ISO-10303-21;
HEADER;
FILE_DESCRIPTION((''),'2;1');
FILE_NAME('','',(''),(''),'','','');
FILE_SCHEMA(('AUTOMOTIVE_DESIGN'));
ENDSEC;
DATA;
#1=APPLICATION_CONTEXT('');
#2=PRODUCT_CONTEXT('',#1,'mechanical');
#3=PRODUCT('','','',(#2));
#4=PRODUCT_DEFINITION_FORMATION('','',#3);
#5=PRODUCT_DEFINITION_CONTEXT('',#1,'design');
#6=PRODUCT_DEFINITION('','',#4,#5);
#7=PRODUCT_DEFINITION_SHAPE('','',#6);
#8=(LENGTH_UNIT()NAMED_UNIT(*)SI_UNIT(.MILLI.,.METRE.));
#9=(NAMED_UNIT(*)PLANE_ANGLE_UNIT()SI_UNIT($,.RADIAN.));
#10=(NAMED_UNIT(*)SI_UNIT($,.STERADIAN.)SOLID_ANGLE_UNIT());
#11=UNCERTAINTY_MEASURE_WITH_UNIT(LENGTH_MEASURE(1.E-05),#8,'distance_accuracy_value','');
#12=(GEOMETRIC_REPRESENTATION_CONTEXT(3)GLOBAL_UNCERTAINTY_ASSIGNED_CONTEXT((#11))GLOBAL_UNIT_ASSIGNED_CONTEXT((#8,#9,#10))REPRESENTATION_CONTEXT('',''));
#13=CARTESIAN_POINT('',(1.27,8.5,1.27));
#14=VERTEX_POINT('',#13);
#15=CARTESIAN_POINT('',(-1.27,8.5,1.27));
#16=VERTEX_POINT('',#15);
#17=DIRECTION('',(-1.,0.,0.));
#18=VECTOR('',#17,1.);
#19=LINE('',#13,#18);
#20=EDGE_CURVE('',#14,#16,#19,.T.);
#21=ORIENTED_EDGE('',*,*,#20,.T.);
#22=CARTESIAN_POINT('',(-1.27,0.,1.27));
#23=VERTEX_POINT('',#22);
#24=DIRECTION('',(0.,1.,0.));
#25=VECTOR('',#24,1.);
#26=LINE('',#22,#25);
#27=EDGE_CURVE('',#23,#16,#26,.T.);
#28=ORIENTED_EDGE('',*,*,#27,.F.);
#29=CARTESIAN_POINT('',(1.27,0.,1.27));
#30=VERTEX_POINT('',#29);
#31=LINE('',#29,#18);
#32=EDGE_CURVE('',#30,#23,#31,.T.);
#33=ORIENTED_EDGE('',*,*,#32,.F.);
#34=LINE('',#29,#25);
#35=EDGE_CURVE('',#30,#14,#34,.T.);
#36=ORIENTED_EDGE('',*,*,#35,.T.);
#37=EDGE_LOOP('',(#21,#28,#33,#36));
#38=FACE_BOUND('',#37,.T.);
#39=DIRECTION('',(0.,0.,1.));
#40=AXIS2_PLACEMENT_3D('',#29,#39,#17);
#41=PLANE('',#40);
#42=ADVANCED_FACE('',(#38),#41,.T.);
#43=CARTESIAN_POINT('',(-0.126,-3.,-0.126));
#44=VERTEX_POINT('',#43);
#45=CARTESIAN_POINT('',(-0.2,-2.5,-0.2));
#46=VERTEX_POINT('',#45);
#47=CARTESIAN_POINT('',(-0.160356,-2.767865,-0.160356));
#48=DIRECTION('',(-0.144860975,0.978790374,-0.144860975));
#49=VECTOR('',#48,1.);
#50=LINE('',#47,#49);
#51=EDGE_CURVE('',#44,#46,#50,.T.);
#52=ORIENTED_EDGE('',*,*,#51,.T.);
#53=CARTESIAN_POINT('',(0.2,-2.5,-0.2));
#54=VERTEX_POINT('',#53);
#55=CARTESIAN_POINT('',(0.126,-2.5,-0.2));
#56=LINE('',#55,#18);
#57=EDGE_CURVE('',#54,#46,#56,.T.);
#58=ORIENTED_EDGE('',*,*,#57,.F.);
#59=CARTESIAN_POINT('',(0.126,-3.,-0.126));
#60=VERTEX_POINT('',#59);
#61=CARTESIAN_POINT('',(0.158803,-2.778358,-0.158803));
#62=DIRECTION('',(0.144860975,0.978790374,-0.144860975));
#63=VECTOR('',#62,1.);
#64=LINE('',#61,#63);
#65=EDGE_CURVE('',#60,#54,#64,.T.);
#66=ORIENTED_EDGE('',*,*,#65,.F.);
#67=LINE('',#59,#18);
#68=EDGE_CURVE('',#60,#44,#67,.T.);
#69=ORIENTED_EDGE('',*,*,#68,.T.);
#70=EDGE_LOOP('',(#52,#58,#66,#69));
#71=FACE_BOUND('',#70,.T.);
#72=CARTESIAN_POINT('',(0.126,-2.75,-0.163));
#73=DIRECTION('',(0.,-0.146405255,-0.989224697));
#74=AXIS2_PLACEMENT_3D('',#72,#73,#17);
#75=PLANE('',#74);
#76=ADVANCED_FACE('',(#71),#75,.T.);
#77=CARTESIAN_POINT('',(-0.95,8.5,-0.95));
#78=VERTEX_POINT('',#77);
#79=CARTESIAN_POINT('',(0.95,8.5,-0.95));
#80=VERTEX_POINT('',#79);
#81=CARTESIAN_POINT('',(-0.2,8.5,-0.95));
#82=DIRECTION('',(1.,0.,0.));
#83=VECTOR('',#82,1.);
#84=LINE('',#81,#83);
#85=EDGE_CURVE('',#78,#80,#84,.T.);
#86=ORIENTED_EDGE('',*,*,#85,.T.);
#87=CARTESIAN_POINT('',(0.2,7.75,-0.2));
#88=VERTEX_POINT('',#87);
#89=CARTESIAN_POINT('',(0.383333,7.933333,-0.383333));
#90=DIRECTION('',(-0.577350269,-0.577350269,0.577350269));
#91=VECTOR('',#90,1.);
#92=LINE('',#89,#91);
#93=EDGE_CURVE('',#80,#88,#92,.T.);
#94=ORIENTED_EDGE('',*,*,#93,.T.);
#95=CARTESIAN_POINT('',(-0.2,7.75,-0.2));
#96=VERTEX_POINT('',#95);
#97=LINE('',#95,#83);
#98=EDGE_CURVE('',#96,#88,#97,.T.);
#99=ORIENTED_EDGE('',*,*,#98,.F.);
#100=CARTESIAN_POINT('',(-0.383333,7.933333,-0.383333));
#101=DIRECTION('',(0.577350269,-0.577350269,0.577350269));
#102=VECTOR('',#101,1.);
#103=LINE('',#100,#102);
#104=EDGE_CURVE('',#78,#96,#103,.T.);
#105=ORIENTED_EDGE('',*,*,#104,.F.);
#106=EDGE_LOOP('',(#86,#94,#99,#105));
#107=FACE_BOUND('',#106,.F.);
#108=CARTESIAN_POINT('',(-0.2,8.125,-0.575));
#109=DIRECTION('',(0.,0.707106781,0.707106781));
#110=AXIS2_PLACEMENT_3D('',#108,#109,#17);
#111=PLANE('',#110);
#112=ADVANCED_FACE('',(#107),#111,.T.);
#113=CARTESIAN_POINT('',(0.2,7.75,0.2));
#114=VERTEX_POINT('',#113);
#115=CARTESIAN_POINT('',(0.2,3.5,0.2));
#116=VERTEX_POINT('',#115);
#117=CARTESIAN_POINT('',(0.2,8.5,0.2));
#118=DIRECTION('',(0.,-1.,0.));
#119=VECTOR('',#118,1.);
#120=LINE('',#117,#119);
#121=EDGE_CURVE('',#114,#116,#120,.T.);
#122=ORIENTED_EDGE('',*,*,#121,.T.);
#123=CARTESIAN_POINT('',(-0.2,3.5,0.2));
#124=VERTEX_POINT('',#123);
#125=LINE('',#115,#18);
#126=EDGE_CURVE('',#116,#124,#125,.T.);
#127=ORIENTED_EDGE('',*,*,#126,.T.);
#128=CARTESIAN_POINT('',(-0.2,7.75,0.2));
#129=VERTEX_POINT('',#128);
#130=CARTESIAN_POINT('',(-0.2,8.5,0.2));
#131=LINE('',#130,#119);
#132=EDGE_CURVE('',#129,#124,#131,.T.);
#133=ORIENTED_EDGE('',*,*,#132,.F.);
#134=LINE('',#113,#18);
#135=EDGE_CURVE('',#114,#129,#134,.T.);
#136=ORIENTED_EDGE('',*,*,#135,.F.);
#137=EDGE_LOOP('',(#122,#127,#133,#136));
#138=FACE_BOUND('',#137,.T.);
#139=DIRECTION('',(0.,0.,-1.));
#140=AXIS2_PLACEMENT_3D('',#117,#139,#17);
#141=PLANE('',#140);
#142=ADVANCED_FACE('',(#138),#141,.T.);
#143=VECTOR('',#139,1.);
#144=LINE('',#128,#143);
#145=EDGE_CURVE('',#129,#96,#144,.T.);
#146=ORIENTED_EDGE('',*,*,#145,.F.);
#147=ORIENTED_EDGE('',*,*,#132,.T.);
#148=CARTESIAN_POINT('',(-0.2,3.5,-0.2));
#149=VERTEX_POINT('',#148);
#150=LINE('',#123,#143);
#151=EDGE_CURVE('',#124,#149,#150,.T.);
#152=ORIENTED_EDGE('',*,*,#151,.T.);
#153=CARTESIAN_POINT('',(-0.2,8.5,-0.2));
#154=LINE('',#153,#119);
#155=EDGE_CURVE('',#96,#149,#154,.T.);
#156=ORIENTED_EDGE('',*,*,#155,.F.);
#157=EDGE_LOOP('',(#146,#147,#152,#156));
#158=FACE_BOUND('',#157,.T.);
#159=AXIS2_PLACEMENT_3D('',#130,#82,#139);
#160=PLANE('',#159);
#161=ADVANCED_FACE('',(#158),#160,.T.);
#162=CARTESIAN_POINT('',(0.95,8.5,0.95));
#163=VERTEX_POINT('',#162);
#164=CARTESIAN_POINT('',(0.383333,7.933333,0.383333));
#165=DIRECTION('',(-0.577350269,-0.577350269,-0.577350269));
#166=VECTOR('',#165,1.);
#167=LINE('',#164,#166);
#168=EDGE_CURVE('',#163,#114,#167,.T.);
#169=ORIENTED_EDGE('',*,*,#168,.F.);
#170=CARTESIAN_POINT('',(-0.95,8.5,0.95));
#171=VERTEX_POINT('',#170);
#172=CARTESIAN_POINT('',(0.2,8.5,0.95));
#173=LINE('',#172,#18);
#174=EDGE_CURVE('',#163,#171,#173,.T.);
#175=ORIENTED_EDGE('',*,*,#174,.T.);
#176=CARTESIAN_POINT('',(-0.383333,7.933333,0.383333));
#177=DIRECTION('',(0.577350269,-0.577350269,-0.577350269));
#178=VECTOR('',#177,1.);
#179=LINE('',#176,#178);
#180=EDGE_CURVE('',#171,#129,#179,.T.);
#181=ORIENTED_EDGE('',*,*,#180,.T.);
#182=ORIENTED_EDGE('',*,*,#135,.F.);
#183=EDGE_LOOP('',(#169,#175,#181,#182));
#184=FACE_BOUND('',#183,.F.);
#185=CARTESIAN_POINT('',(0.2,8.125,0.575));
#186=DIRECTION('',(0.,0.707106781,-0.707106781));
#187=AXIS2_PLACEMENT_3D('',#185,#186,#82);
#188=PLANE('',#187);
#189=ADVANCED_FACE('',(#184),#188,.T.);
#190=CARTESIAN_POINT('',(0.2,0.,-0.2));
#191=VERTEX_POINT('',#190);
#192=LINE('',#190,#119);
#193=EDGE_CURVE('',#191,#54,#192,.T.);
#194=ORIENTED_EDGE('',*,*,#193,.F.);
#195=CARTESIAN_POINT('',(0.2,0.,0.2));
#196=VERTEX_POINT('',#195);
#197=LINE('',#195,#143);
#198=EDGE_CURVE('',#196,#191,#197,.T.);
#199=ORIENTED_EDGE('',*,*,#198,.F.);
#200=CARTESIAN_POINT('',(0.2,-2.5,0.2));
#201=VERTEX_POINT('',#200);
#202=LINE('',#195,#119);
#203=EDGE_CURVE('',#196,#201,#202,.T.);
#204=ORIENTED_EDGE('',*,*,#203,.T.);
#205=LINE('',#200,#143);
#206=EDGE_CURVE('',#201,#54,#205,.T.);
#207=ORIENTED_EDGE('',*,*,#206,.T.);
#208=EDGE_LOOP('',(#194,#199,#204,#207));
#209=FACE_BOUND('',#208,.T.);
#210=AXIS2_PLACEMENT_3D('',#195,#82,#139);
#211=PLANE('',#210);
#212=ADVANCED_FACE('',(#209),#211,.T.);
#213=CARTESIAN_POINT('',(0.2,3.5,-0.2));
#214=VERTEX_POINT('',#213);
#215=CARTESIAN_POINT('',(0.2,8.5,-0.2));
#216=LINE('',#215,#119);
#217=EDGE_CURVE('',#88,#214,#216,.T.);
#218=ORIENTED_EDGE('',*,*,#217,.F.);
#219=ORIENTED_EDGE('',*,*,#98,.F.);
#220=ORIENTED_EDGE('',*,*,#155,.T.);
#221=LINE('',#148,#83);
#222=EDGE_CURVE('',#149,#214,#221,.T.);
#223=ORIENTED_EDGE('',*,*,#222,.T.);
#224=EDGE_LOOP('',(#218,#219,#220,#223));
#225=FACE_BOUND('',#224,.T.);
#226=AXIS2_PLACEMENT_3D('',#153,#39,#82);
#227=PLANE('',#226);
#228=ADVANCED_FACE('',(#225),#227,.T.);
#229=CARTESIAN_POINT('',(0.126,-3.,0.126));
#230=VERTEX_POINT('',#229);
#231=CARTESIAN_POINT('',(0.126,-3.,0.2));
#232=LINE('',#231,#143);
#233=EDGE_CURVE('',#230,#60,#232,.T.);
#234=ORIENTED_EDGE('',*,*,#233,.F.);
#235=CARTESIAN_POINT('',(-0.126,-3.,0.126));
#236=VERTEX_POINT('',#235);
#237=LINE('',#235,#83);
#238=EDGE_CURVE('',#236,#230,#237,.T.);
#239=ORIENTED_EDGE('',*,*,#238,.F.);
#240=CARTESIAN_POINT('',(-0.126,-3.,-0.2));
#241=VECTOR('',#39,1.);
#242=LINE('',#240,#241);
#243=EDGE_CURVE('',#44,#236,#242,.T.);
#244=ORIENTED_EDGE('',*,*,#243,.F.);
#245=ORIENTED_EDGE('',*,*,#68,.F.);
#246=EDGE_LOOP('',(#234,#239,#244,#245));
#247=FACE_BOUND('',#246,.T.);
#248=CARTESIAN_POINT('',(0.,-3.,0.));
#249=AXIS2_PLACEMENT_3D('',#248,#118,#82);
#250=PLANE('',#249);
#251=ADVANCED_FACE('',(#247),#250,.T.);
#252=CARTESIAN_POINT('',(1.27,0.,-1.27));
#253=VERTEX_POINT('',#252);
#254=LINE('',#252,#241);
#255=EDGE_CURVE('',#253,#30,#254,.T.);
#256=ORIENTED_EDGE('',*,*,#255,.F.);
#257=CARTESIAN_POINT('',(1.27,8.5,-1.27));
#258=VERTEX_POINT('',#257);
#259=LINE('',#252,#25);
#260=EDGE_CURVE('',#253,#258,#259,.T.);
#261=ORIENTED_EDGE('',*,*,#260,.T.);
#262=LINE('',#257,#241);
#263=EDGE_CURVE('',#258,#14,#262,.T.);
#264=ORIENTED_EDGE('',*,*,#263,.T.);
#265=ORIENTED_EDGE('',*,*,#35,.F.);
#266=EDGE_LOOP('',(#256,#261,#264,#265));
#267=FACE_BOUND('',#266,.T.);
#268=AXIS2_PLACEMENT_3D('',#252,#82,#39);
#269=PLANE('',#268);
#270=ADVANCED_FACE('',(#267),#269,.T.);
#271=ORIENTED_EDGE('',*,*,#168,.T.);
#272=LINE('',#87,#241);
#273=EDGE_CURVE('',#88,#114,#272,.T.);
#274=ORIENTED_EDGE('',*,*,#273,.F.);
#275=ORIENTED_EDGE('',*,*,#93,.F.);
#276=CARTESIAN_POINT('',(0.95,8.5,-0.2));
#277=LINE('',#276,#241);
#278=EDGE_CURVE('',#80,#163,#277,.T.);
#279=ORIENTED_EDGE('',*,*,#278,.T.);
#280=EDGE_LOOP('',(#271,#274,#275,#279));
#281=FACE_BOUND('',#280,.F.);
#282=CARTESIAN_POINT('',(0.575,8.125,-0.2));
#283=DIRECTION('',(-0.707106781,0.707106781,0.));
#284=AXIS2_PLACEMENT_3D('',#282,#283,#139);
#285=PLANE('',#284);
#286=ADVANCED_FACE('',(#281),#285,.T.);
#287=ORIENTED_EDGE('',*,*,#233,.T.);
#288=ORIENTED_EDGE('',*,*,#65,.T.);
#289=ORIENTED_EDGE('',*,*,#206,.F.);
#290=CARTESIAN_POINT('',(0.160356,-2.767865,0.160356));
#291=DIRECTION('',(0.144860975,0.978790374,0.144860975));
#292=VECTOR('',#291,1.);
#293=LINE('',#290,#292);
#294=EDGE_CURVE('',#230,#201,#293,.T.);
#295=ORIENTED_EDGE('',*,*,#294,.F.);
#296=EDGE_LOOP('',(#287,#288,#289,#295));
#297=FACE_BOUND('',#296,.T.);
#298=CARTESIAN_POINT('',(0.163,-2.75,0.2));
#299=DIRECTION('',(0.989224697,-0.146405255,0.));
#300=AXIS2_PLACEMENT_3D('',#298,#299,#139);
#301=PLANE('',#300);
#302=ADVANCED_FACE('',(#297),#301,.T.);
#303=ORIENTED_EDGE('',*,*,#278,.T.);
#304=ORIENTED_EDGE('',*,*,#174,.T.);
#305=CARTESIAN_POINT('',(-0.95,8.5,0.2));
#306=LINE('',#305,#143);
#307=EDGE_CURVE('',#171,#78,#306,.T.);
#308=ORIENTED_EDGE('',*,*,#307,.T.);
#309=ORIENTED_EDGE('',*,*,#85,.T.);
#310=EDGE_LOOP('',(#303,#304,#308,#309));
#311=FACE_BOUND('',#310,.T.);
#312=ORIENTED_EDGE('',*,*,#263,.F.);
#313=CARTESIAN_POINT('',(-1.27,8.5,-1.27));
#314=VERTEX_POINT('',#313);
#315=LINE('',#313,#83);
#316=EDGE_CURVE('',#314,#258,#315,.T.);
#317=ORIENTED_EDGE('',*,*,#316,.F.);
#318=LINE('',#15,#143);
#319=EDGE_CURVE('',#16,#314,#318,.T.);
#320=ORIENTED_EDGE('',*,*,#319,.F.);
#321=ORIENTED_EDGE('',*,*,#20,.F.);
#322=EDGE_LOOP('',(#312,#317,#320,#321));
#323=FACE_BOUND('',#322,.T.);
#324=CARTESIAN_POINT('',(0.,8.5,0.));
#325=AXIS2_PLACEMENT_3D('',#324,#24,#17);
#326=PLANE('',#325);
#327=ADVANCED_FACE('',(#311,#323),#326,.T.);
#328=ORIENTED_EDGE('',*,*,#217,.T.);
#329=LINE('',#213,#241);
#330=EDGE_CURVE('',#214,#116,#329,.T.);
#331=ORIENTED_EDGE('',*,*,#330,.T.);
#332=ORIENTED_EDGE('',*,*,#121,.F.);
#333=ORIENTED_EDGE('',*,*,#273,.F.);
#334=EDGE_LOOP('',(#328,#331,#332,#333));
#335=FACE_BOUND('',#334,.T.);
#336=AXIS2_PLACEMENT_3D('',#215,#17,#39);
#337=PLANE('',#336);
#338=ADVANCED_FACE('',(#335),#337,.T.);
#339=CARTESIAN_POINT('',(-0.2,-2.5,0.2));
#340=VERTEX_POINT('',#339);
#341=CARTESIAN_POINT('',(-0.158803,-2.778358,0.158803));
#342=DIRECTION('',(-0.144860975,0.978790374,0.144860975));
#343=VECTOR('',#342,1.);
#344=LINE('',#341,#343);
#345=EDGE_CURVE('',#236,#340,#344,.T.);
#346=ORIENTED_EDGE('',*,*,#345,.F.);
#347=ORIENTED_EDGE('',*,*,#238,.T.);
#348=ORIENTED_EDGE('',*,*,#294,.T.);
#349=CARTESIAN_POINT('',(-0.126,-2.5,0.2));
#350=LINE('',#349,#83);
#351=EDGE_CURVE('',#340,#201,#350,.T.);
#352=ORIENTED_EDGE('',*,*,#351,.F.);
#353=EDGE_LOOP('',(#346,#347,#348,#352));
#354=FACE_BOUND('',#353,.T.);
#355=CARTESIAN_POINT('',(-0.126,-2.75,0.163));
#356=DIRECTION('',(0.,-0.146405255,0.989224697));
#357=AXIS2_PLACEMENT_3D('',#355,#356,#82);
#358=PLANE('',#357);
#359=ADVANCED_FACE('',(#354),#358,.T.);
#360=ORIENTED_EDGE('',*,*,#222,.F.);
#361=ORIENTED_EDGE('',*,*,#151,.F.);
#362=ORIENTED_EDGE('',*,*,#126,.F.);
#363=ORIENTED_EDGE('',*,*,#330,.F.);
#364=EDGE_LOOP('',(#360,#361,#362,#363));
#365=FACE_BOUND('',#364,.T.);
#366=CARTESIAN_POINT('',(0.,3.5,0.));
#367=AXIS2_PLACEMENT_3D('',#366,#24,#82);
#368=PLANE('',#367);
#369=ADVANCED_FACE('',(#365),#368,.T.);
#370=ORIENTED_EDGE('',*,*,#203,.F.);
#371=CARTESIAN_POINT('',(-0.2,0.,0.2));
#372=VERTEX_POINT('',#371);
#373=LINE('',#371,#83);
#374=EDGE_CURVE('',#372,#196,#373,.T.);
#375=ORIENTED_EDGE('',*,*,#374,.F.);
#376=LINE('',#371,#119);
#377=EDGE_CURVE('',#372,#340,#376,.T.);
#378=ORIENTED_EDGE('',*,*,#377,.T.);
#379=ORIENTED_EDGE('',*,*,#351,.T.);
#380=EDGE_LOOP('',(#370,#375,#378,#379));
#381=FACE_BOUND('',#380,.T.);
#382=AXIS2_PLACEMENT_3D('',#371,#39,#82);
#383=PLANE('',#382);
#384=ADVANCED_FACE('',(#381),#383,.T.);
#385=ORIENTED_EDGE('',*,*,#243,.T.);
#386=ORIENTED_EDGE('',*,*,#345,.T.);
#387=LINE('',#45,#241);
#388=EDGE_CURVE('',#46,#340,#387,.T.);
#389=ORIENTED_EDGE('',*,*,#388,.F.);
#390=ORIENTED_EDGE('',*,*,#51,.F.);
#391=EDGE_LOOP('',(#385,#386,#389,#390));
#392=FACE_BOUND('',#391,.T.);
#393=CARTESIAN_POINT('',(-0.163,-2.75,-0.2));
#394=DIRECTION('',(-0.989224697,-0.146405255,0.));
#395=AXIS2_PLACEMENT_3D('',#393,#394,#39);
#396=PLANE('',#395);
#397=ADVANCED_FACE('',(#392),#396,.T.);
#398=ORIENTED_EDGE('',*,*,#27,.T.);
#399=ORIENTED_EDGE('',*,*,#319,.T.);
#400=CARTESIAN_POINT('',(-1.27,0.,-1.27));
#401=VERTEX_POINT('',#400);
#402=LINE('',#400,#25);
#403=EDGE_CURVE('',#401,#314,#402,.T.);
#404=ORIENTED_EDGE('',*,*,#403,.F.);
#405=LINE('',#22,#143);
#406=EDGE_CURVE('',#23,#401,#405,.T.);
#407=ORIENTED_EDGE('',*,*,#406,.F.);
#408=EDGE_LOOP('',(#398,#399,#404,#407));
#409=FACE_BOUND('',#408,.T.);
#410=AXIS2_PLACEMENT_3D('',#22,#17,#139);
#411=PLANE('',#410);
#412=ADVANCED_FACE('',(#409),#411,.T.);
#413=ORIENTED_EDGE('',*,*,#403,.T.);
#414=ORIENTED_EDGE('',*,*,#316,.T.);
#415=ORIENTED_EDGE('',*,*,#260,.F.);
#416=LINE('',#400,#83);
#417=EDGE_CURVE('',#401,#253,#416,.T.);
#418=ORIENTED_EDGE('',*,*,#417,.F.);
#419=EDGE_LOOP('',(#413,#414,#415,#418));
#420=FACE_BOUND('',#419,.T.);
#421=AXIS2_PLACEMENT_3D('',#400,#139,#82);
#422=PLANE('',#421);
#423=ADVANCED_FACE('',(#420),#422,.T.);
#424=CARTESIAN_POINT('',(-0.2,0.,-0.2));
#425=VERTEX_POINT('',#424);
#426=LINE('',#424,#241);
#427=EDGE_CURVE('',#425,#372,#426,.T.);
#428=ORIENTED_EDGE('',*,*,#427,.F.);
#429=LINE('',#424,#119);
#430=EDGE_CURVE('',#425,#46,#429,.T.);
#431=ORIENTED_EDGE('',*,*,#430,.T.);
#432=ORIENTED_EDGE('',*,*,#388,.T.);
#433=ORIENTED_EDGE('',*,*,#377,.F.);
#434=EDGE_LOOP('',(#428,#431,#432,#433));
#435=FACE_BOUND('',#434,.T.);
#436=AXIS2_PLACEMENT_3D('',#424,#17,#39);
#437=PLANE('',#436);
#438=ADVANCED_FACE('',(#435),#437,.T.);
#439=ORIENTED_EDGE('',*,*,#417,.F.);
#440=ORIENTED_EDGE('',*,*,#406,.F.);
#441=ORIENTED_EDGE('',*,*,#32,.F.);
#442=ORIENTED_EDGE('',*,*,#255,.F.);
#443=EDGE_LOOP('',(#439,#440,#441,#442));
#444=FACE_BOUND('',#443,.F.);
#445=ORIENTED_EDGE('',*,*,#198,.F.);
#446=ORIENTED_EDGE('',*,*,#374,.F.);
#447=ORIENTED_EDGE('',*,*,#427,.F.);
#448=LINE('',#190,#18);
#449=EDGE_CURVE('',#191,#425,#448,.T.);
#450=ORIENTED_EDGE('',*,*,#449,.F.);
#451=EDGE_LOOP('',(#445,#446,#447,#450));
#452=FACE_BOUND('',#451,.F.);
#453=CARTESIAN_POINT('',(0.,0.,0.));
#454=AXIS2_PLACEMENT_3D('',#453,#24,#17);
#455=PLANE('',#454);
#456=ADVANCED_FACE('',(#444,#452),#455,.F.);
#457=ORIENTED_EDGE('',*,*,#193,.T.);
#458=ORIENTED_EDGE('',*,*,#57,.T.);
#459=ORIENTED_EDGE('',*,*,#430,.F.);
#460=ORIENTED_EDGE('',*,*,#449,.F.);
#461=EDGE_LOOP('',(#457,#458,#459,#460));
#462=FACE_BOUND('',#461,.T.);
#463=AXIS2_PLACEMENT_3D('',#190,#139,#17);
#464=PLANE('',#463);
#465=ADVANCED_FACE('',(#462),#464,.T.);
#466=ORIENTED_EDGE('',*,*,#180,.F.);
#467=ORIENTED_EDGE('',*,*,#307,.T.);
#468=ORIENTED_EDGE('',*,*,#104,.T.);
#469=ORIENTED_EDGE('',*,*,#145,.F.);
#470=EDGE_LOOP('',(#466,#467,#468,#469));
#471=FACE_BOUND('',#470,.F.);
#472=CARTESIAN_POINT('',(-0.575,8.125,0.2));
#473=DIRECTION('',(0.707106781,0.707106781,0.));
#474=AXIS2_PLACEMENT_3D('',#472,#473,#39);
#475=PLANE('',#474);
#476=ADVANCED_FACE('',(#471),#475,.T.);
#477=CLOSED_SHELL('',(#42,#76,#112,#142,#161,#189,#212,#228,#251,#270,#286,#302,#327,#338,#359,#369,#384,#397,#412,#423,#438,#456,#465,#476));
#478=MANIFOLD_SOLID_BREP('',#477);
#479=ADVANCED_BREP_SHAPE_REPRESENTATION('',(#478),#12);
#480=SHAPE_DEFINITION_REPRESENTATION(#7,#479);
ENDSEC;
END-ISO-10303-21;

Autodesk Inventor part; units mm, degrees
ref_plane "YZ Plane" through (0, 0, 0) normal (1, 0, 0) x (0, 1, 0)
ref_plane "XZ Plane" through (0, 0, 0) normal (0, 1, 0) x (-1, 0, 0)
ref_plane "XY Plane" through (0, 0, 0) normal (0, 0, 1) x (1, 0, 0)
sketch "Sketch1" plane through (0, 0, 0) normal (0, 1, 0) x (-1, 0, 0)
  line L0 (-1.27, 1.27) -> (1.27, 1.27)
  line L1 (1.27, 1.27) -> (1.27, -1.27)
  line L2 (1.27, -1.27) -> (-1.27, -1.27)
  line L3 (-1.27, -1.27) -> (-1.27, 1.27)
  line L4 (-1.27, 1.27) -> (1.27, -1.27) construction
  line L5 (1.27, 1.27) -> (-1.27, -1.27) construction
  point P0 (0, 0)
  dimension "d0" = 2.54
  dimension "d1" = 2.54
extrude "Extrusion1" add sketch "Sketch1" along normal blind 8.5
sketch "Sketch2" plane through (0, 8.5, 0) normal (0, 1, 0) x (1, 0, 0)
  line L0 (0.2, -0.2) -> (-0.2, -0.2)
  line L1 (-0.2, -0.2) -> (-0.2, 0.2)
  line L2 (-0.2, 0.2) -> (0.2, 0.2)
  line L3 (0.2, 0.2) -> (0.2, -0.2)
  line L4 (0.2, -0.2) -> (-0.2, 0.2) construction
  line L5 (-0.2, -0.2) -> (0.2, 0.2) construction
  point P0 (0, 0)
  dimension "d4" = 0.4
  dimension "d5" = 0.4
extrude "Extrusion2" cut sketch "Sketch2" against normal blind 5
chamfer "Chamfer1" distance 0.75 angle 45 4 edges at (0, 8.5, 0.2) (-0.2, 8.5, 0) (0, 8.5, -0.2) (0.2, 8.5, 0)
sketch "Sketch3" plane through (0, 0, 0) normal (0, -1, 0) x (1, 0, 0)
  line L0 (-0.2, 0.2) -> (0.2, 0.2)
  line L1 (0.2, 0.2) -> (0.2, -0.2)
  line L2 (0.2, -0.2) -> (-0.2, -0.2)
  line L3 (-0.2, -0.2) -> (-0.2, 0.2)
  line L4 (-0.2, 0.2) -> (0.2, -0.2) construction
  line L5 (0.2, 0.2) -> (-0.2, -0.2) construction
  point P0 (0, 0)
  dimension "d11" = 0.4
  dimension "d12" = 0.4
extrude "Extrusion3" add sketch "Sketch3" along normal blind 3
chamfer "Chamfer2" distance 0.074 distance2 0.5 1 edges at (-0.2, -3, 0) measured on face at (-0.0667, -3, 0.0667)
chamfer "Chamfer3" distance 0.074 distance2 0.5 1 edges at (0.2, -3, 0) measured on face at (-0.0173, -3, 0.0667)
chamfer "Chamfer4" distance 0.074 distance2 0.5 1 edges at (0, -3, 0.2) measured on face at (-0.042, -3, 0.0667)
chamfer "Chamfer5" distance 0.074 distance2 0.5 1 edges at (0, -3, -0.2) measured on face at (0.042, -3, -0.0913)
properties part number "FemaleHederPin"
